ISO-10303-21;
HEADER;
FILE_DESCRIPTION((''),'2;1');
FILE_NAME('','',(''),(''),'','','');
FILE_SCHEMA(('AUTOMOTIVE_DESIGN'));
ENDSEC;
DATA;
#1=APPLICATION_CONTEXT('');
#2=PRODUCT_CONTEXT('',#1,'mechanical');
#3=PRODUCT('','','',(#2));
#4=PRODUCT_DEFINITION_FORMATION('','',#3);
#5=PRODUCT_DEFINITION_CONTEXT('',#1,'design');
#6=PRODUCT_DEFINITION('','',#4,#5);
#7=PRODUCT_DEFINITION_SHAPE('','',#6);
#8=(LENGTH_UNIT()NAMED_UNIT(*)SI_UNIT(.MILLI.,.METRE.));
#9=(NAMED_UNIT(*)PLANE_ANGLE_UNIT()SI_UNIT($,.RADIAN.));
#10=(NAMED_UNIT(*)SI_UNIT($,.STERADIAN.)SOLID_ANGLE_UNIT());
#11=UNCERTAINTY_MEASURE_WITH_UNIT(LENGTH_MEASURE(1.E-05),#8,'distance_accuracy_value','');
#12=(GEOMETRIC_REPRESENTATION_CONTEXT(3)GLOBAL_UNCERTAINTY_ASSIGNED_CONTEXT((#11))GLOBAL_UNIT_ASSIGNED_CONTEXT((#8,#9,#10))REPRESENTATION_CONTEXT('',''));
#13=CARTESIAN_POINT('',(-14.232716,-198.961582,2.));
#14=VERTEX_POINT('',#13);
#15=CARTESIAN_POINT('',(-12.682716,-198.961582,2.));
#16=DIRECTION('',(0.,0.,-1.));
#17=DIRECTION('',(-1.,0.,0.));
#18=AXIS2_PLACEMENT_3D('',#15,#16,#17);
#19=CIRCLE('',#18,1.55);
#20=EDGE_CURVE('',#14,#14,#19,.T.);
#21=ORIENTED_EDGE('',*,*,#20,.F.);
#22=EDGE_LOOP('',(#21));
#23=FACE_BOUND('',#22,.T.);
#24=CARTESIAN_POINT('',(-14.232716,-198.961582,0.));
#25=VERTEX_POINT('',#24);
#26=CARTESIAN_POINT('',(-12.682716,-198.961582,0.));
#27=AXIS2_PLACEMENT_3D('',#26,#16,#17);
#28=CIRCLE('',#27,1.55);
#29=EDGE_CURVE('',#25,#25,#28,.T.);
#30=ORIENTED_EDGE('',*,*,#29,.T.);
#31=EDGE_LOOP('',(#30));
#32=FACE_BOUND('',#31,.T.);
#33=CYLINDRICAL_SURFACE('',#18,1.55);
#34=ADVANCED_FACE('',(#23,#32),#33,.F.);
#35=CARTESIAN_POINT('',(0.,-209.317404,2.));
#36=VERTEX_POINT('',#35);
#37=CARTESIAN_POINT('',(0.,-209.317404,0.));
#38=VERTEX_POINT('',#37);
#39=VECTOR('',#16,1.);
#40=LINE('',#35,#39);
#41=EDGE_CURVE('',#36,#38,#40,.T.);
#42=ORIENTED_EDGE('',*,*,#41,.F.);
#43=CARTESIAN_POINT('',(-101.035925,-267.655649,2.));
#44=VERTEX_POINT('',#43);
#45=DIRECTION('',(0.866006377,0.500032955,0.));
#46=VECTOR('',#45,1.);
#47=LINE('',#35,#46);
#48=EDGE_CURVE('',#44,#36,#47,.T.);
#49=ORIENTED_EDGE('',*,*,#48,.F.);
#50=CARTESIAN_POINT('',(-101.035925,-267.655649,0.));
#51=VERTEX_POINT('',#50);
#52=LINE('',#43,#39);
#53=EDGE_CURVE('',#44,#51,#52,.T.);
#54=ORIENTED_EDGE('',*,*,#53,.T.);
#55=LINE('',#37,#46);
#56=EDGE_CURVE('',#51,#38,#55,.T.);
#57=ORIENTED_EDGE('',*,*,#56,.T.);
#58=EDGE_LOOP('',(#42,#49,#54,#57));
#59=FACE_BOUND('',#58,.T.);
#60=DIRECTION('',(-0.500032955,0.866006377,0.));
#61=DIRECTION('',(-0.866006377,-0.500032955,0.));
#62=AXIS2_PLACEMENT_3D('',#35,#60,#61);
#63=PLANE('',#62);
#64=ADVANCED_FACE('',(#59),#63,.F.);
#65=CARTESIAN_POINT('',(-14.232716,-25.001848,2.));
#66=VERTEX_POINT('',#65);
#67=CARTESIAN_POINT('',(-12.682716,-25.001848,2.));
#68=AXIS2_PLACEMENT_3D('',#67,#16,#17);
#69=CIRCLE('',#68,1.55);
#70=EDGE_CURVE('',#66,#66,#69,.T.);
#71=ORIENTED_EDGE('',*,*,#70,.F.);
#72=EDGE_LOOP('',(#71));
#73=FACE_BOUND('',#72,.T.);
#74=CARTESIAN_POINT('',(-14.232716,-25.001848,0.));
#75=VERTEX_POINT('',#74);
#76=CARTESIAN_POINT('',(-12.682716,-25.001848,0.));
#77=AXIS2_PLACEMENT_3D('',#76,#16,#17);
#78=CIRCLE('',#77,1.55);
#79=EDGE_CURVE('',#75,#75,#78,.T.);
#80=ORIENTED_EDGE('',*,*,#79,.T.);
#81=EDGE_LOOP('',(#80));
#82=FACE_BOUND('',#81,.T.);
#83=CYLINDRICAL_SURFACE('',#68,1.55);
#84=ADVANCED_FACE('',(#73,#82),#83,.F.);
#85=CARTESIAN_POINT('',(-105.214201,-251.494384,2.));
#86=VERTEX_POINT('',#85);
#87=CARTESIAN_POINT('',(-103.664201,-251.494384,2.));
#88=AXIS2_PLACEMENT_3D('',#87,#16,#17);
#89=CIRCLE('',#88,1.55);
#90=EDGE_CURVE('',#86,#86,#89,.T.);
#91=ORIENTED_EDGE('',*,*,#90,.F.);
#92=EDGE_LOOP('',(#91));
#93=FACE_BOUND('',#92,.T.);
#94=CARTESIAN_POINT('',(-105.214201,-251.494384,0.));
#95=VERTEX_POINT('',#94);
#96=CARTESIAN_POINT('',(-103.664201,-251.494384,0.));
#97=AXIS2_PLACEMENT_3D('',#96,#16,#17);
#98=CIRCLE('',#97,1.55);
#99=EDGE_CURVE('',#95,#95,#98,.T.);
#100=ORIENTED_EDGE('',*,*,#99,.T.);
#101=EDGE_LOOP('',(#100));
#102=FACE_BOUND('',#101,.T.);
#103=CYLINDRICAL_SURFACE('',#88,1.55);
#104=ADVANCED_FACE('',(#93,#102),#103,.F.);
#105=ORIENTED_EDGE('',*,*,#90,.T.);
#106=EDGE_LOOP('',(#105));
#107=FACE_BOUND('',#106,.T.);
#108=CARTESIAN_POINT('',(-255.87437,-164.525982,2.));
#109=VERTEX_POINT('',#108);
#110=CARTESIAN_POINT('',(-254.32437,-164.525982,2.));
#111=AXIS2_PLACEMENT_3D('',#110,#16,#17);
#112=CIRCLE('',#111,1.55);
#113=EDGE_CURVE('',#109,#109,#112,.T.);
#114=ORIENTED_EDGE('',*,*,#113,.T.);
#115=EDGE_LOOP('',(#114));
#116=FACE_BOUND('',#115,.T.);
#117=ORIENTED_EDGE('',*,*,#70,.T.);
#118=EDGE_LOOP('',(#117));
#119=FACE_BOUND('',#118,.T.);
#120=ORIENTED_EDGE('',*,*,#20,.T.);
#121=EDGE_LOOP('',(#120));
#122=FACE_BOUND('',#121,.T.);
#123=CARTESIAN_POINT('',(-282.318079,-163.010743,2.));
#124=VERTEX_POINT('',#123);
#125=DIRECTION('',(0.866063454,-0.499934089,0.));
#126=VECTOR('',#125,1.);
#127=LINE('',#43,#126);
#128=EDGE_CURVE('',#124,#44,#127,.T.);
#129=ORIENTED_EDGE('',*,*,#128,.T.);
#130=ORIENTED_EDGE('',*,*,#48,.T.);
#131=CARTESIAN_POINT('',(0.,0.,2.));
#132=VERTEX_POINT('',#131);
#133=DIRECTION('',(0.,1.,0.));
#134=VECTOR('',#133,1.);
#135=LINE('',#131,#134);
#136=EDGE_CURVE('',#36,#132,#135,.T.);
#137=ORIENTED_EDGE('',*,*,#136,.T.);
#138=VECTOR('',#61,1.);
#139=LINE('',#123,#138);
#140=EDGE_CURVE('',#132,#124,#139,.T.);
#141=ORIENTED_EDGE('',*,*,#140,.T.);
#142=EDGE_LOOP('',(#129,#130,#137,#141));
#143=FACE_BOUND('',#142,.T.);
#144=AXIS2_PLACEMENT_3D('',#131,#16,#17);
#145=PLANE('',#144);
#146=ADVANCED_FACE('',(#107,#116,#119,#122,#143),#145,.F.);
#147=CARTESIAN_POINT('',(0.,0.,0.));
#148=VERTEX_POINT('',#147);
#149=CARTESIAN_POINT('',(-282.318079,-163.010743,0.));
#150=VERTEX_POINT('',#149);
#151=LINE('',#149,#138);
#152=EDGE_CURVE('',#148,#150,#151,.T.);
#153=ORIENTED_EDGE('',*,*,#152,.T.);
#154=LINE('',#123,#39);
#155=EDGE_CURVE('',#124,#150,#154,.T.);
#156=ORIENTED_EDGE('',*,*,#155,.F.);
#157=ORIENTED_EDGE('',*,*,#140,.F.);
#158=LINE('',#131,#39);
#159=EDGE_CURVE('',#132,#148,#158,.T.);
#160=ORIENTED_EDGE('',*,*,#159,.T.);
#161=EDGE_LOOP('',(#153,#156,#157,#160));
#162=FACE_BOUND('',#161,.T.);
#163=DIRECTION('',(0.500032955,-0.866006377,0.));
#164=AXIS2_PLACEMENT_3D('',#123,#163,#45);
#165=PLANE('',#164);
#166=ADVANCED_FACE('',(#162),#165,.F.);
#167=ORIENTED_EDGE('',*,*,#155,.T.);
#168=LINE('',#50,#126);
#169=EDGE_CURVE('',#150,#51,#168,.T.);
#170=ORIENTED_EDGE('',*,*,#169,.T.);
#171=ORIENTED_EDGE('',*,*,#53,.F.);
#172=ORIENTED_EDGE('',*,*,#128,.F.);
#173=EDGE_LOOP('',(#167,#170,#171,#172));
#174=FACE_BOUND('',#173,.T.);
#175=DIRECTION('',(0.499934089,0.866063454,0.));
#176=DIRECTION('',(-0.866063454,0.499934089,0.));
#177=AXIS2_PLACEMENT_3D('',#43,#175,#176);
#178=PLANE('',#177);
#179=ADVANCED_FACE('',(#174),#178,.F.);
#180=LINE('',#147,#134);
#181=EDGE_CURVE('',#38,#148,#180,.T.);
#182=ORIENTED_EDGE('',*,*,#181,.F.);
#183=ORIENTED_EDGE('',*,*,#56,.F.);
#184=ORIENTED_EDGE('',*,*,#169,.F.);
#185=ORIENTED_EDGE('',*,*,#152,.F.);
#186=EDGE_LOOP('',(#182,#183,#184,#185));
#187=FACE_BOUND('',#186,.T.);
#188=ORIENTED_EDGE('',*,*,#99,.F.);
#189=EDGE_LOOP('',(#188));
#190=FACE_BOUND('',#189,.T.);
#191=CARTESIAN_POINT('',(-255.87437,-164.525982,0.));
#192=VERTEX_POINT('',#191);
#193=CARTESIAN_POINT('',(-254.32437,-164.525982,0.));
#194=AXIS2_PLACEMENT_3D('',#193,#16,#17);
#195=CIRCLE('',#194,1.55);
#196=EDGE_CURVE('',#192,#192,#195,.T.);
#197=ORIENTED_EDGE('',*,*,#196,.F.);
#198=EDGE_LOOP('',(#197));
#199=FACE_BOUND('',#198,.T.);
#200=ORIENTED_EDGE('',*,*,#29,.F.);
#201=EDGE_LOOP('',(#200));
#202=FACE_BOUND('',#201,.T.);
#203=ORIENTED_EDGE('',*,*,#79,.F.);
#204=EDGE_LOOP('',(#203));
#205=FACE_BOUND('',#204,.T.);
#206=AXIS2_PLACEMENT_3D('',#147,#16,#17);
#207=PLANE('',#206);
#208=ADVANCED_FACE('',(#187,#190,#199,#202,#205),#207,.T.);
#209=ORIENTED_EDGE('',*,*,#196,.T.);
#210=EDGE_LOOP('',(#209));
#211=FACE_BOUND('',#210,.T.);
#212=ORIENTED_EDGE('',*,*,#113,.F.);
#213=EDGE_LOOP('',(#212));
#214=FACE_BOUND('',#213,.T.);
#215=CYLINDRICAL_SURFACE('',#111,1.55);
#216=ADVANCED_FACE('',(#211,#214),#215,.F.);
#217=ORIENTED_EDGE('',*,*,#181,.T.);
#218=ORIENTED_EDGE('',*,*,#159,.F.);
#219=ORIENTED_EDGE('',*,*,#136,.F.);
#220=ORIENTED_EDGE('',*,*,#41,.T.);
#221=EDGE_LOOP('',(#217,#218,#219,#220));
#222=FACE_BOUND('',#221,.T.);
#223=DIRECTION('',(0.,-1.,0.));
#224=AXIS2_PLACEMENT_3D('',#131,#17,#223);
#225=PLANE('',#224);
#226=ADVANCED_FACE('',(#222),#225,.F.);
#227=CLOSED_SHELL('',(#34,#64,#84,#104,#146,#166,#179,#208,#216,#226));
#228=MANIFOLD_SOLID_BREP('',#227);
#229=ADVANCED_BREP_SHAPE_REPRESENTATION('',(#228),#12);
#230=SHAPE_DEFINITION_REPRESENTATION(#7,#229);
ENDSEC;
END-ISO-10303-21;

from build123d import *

# Parameters (mm, degrees)
EXTRUDE_1_DEPTH     = 2
SKETCH_4_R          = 1.55
CUT_EXTRUDE_1_DEPTH = 2


with BuildPart() as part:
    # Эскиз3 → Бобышка-Вытянуть1 (new body)
    with BuildSketch(Plane.XY):
        Polygon((0, -209.31740407), (-101.035924752, -267.65564884), (-282.318078778, -163.01074319), (0, 0), align=None)
    extrude(amount=EXTRUDE_1_DEPTH)

    # Эскиз4 → Вырез-Вытянуть1 (cut)
    with BuildSketch(Plane(origin=(0, 0, 0), x_dir=(-1, 0, 0), z_dir=(0, 0, -1))):
        with Locations((254.324370014, -164.525982342)):
            Circle(SKETCH_4_R)
        with Locations((103.664201466, -251.49438366)):
            Circle(SKETCH_4_R)
        with Locations((12.682716025, -198.961582281)):
            Circle(SKETCH_4_R)
        with Locations((12.682716025, -25.001847817)):
            Circle(SKETCH_4_R)
    extrude(amount=-CUT_EXTRUDE_1_DEPTH, mode=Mode.SUBTRACT)


solid = part.part
